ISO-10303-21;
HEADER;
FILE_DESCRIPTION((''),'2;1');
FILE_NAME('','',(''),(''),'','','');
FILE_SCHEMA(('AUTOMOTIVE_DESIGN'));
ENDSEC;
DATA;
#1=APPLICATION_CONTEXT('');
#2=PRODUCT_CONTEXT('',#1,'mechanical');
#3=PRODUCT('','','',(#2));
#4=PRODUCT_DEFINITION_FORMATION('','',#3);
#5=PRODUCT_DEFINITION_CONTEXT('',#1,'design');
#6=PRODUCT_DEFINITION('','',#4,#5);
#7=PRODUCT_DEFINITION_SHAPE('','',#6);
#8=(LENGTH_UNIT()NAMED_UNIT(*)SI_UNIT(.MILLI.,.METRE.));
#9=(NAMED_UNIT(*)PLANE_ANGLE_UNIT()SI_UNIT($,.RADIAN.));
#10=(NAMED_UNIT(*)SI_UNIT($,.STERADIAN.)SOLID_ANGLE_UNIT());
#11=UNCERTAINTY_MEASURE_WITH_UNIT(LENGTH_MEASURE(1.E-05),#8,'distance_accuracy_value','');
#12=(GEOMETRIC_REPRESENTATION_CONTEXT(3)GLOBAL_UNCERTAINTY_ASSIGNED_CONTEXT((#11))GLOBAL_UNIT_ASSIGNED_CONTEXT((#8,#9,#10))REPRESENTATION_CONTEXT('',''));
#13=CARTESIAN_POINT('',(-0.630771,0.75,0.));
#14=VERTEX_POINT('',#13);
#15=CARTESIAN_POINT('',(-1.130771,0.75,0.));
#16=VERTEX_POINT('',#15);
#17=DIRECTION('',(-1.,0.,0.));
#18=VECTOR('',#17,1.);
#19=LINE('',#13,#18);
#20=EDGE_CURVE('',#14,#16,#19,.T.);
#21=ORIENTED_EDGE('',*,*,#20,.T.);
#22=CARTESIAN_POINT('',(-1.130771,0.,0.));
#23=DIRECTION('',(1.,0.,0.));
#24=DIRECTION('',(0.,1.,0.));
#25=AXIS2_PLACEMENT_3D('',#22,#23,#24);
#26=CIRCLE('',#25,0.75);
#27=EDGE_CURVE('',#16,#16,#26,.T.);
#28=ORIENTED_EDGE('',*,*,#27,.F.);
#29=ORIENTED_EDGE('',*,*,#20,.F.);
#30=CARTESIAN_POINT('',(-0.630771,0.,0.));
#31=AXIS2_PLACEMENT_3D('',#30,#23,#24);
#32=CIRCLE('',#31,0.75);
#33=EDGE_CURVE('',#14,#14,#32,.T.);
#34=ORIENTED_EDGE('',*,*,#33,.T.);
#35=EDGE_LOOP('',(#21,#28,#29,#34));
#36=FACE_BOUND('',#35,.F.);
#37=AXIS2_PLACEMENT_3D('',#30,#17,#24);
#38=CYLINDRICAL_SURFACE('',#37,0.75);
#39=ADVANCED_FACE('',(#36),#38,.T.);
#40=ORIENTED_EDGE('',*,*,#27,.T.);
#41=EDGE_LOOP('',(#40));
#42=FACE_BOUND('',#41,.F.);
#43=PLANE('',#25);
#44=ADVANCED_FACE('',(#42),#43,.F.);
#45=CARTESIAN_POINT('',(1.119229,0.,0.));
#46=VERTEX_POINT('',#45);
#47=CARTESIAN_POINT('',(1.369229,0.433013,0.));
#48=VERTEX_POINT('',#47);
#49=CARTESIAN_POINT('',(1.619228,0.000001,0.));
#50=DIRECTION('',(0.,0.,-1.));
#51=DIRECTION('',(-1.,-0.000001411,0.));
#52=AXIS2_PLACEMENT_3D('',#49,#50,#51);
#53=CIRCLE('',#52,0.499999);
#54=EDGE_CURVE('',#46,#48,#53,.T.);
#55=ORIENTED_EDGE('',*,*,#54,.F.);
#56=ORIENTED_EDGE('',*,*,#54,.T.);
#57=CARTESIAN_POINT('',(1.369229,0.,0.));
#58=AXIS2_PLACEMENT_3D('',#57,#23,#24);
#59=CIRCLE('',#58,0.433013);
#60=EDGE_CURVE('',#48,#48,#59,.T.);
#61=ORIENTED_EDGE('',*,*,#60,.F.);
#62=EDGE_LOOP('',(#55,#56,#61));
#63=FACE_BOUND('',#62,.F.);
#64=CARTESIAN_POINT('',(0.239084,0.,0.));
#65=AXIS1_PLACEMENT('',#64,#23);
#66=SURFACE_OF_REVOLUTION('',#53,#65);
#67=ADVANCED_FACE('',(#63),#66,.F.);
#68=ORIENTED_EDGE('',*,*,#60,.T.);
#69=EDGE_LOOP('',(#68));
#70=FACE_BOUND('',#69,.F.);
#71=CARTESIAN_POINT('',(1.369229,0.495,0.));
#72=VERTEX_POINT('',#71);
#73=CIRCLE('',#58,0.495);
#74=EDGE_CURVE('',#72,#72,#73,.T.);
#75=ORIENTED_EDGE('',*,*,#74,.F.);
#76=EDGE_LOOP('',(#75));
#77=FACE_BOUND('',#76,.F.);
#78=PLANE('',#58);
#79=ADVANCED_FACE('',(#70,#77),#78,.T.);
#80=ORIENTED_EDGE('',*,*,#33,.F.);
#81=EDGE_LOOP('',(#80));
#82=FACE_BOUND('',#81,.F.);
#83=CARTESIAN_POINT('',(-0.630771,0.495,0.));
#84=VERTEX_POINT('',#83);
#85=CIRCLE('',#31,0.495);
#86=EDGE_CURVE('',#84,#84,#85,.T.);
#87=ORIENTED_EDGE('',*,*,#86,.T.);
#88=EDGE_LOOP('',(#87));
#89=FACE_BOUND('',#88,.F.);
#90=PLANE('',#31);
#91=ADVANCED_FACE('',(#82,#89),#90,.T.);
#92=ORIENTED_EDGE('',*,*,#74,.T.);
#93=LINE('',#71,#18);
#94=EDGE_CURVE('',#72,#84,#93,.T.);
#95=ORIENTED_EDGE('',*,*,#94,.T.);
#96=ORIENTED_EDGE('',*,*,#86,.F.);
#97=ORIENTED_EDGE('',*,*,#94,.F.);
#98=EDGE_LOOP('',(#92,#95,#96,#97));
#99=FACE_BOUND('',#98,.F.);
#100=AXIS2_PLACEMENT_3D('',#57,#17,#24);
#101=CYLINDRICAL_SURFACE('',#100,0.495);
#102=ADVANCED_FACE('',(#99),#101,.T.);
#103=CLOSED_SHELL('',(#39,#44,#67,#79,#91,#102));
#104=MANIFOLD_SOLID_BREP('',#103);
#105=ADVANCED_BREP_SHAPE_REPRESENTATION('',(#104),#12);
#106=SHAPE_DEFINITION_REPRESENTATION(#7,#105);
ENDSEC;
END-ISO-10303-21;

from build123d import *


with BuildPart() as f1:
    # F0 (on Top) → F1 (revolve)
    with BuildSketch(Plane.XY):
        with BuildLine():
            Line((-1.130771, 0.75), (-1.130771, 0))
            Line((-1.130771, 0), (1.119229, 0))
            ThreePointArc((1.119229, 0), (1.186216, 0.25), (1.369229, 0.433013))
            Line((1.369229, 0.433013), (1.369229, 0.495))
            Line((1.369229, 0.495), (-0.630771, 0.495))
            Line((-0.630771, 0.495), (-0.630771, 0.75))
            Line((-0.630771, 0.75), (-1.130771, 0.75))
        make_face()
    revolve(axis=Axis((0.239084, 0, 0), (1, 0, 0)))


solid = f1.part
